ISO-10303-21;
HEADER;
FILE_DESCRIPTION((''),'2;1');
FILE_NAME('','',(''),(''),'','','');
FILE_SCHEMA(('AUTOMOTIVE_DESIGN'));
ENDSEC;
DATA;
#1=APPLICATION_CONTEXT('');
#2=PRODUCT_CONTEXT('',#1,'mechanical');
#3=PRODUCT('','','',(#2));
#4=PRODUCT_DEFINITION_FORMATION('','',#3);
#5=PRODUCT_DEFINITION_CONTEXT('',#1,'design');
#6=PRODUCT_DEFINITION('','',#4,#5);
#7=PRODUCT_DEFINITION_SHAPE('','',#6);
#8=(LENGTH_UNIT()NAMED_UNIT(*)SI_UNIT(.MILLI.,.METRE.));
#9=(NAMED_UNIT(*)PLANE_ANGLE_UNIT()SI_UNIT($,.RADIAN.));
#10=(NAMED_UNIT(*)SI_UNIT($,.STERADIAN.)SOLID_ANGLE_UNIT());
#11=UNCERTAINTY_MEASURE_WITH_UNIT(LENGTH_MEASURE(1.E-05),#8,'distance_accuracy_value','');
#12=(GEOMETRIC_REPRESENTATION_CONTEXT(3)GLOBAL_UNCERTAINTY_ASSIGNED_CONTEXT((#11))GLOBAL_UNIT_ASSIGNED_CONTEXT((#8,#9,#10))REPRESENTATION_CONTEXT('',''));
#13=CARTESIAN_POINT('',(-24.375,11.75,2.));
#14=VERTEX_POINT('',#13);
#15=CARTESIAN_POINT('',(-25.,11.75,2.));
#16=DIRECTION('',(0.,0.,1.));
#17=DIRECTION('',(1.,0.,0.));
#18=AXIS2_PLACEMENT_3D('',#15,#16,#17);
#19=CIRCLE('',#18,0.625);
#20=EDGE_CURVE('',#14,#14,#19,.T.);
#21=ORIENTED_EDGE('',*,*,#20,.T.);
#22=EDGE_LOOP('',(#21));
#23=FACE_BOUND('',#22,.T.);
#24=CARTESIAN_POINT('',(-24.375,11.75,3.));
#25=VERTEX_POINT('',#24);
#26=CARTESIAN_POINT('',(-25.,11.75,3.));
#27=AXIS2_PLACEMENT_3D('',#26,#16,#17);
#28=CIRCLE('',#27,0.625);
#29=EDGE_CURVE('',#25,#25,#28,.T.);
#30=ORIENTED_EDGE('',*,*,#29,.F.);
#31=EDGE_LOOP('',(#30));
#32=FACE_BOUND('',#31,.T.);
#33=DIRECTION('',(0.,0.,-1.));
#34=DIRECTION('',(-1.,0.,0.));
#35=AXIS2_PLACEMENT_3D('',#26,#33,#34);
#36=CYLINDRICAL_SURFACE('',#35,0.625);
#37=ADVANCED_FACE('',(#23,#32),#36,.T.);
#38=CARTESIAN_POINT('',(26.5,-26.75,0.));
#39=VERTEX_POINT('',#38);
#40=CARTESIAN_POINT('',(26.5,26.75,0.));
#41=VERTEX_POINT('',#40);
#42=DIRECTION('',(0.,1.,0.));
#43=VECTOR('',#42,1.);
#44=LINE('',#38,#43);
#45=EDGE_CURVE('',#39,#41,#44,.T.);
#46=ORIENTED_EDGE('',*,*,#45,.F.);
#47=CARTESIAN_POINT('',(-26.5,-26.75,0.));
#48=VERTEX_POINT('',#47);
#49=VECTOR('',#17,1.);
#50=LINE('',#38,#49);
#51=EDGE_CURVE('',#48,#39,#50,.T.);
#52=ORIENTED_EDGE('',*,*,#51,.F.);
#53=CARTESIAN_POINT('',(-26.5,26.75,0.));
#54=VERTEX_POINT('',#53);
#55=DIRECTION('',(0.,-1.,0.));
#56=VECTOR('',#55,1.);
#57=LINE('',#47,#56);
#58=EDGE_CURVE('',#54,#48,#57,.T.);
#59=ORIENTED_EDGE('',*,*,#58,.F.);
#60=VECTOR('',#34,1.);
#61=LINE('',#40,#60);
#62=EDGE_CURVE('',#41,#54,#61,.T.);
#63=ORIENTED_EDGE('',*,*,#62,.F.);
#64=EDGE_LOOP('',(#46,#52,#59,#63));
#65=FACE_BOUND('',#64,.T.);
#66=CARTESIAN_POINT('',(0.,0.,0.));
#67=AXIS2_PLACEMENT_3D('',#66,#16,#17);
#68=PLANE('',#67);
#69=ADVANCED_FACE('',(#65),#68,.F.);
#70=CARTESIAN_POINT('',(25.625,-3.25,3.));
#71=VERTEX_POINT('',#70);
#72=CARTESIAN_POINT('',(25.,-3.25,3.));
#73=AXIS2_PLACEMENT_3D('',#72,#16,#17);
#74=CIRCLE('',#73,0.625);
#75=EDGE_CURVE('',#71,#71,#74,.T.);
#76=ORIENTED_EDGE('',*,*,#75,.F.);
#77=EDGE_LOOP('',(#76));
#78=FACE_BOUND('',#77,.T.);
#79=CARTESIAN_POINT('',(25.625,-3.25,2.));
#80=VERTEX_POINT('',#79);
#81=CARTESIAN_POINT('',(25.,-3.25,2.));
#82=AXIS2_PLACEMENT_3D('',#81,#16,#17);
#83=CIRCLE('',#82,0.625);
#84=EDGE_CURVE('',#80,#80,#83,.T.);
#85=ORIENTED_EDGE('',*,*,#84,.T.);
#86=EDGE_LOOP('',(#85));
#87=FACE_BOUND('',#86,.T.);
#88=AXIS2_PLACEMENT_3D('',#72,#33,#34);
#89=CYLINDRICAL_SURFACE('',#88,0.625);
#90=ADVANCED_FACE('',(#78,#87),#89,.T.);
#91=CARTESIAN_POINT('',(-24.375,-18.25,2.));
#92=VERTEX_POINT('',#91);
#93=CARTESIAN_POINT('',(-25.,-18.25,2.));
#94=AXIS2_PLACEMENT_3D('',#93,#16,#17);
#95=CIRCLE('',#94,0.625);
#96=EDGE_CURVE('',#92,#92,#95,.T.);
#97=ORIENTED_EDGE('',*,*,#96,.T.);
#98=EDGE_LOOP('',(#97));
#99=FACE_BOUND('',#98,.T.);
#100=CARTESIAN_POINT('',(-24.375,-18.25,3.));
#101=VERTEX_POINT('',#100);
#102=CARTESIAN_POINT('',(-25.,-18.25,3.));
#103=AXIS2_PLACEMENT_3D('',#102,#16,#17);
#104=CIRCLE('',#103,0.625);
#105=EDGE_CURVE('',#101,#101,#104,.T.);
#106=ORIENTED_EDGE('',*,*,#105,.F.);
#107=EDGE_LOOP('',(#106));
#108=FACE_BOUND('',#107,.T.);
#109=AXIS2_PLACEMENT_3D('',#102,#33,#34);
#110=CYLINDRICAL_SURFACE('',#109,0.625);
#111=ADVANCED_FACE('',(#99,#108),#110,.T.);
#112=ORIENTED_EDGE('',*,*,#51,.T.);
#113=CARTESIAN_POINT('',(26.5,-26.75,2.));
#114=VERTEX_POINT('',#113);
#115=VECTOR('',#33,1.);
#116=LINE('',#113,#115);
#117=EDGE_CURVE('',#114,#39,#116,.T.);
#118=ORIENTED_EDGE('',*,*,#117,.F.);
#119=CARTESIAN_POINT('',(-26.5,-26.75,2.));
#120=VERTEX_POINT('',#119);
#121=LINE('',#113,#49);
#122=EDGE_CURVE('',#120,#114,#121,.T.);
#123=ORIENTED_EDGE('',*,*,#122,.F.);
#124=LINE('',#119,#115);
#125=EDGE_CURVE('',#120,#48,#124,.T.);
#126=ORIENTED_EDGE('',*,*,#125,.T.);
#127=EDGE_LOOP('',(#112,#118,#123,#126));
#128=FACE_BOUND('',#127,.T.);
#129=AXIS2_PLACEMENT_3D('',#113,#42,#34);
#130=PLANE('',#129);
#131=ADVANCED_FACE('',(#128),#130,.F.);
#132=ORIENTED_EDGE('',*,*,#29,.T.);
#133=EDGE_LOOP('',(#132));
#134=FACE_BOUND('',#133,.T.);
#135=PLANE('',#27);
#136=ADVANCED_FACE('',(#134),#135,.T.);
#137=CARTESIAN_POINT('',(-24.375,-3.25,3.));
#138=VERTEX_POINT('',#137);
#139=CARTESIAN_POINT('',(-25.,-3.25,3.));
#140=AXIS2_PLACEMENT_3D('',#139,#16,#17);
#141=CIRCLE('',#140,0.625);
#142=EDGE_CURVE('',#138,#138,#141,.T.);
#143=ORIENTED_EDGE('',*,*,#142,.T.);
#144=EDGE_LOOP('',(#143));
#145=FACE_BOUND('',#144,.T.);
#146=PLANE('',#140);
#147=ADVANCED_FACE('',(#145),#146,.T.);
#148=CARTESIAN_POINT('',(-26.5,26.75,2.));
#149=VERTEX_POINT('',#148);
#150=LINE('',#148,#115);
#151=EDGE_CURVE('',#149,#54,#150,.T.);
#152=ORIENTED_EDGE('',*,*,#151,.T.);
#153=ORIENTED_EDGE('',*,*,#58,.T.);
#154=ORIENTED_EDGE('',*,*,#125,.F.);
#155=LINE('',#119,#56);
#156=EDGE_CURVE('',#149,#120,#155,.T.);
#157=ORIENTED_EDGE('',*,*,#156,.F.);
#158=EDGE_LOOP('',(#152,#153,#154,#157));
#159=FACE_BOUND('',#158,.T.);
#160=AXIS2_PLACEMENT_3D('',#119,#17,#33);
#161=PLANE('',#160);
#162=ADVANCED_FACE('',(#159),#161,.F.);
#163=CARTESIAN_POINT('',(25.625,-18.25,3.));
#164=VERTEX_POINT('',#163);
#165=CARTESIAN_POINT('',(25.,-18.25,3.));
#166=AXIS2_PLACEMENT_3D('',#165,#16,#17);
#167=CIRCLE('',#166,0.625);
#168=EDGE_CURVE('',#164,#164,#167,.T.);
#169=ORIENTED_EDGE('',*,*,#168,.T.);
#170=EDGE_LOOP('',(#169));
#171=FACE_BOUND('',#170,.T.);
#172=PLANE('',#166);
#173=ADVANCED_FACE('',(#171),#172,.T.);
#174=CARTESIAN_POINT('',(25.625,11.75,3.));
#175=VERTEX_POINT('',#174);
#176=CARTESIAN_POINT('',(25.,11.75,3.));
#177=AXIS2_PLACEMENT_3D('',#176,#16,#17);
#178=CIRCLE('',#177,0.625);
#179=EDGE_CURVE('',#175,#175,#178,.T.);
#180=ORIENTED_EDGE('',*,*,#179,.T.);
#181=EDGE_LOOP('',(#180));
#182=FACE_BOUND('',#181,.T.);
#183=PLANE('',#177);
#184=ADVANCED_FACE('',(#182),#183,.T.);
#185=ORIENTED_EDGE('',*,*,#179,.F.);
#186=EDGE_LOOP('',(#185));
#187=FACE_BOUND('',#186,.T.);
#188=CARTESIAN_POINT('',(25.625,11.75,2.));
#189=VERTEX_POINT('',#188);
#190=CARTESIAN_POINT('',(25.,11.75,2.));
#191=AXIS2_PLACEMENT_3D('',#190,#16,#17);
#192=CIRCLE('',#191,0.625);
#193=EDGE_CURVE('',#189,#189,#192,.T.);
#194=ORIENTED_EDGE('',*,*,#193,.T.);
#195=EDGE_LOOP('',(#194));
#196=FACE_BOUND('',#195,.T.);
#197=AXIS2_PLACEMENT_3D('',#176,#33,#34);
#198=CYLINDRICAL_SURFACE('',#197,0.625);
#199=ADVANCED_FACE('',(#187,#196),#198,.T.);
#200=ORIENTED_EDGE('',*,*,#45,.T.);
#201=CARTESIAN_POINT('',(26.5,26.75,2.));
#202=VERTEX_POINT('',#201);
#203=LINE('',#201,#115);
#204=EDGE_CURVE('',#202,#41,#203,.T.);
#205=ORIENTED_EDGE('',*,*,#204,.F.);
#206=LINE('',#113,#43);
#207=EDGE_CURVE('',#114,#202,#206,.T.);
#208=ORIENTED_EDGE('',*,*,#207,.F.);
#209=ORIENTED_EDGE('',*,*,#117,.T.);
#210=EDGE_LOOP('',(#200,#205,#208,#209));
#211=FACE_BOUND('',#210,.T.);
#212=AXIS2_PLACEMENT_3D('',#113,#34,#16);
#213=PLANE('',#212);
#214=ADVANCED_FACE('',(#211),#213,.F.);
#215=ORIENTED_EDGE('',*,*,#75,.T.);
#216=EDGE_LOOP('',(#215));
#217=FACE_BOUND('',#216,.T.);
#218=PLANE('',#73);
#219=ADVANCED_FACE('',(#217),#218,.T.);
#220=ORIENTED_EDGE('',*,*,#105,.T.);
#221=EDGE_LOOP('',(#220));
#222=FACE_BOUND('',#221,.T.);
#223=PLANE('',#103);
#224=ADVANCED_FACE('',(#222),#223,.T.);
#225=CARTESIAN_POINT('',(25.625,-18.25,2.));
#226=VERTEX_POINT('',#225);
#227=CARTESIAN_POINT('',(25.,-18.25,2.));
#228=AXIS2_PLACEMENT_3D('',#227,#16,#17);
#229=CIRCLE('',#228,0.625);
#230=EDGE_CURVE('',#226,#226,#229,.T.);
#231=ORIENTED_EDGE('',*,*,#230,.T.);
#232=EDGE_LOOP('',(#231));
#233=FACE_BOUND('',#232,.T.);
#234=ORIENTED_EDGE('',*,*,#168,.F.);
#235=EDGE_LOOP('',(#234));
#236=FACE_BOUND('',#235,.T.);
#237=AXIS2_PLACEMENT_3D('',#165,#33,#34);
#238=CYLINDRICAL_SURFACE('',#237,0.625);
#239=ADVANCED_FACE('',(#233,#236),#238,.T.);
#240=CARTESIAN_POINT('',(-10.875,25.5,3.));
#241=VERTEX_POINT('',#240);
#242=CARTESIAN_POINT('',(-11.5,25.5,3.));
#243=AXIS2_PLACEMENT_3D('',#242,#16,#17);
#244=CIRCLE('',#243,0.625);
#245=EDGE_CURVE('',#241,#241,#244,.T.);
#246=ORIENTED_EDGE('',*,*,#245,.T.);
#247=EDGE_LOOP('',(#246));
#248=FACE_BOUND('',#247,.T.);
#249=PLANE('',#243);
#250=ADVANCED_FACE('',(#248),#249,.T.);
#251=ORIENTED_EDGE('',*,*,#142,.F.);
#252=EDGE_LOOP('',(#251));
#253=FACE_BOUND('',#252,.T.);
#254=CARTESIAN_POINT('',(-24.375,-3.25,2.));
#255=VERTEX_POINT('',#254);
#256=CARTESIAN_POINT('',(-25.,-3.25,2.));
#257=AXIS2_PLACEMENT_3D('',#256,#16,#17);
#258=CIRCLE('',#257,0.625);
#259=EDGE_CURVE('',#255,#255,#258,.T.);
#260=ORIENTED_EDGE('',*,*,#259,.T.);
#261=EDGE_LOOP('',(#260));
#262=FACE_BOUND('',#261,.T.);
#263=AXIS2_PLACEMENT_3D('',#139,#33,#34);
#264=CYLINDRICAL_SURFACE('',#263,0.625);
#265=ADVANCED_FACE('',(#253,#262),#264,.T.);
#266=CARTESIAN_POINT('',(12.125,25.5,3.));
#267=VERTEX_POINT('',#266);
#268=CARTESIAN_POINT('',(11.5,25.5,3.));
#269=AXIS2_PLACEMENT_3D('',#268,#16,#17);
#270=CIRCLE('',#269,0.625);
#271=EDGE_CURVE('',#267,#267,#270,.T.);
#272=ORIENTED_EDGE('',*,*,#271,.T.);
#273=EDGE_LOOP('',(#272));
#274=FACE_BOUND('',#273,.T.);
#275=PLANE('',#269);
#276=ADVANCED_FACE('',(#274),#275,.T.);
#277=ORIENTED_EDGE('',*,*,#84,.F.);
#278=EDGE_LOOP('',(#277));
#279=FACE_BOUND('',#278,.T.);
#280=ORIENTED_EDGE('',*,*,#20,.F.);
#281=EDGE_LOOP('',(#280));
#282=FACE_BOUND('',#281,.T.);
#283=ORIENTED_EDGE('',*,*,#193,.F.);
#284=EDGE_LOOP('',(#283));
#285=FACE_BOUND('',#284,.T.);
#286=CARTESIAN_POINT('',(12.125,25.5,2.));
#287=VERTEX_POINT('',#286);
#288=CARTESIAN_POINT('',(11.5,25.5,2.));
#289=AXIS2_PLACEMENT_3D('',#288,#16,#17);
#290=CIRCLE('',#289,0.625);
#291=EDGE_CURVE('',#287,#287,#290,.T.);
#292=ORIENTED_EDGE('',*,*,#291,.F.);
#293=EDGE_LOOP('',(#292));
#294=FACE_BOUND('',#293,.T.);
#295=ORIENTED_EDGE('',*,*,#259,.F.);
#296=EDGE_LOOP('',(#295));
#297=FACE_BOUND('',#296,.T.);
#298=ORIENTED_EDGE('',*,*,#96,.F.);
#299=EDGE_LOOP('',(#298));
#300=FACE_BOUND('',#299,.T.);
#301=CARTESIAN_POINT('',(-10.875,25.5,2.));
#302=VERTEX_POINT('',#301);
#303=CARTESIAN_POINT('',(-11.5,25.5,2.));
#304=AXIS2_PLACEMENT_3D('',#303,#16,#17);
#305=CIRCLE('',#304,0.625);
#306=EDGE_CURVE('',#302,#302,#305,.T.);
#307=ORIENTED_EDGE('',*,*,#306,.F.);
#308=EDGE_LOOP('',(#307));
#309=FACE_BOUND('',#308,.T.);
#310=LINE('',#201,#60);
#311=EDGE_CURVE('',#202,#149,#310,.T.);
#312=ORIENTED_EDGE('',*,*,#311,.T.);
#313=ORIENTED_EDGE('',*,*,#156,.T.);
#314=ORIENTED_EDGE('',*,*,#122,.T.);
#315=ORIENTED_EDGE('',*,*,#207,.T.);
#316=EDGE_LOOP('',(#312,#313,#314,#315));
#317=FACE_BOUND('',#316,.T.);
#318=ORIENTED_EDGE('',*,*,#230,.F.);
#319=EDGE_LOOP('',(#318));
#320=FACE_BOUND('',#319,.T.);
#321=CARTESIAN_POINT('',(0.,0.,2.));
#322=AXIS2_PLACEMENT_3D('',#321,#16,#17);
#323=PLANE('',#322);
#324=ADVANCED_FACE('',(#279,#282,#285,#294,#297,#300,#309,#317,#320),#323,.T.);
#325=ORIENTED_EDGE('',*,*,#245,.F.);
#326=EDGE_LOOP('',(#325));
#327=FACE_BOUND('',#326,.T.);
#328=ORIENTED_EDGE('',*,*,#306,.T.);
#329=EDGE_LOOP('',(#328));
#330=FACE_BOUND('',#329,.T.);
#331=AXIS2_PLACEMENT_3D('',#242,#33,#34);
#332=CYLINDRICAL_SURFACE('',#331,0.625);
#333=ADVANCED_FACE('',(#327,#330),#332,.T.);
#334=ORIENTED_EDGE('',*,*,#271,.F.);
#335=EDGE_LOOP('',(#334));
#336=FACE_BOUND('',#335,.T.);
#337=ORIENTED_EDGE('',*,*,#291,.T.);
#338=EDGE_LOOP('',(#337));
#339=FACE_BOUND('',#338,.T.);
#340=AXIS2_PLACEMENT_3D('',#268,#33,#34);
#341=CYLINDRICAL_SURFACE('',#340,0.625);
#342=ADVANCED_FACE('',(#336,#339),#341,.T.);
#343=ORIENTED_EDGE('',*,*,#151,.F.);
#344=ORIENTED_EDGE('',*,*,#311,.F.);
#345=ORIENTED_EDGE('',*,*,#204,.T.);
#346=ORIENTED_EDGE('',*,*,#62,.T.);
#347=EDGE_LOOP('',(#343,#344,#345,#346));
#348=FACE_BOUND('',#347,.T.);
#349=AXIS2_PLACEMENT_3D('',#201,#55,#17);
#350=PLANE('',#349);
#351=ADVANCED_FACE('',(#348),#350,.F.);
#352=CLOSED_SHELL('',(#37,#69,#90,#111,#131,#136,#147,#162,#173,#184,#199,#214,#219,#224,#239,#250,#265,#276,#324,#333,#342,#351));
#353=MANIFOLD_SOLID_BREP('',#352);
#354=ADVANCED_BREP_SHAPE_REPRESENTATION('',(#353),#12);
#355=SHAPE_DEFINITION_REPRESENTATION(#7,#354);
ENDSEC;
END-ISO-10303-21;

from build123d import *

# Parameters (mm, degrees)
SKETCH1_W  = 53
SKETCH1_H  = 53.5
BODY_DEPTH = 2
SKETCH2_R  = 0.625
PINS_DEPTH = 1


with BuildPart() as part:
    # Sketch1 → body (new body)
    with BuildSketch(Plane.XY):
        Rectangle(SKETCH1_W, SKETCH1_H)
    extrude(amount=BODY_DEPTH)

    # Sketch2 → pins (add)
    with BuildSketch(Plane.XY.offset(2)):
        with Locations((-11.5, 25.5)):
            Circle(SKETCH2_R)
        with Locations((11.5, 25.5)):
            Circle(SKETCH2_R)
        with Locations((-25, 11.75)):
            Circle(SKETCH2_R)
        with Locations((-25, -3.25)):
            Circle(SKETCH2_R)
        with Locations((-25, -18.25)):
            Circle(SKETCH2_R)
        with Locations((25, 11.75)):
            Circle(SKETCH2_R)
        with Locations((25, -3.25)):
            Circle(SKETCH2_R)
        with Locations((25, -18.25)):
            Circle(SKETCH2_R)
    extrude(amount=PINS_DEPTH)


solid = part.part
